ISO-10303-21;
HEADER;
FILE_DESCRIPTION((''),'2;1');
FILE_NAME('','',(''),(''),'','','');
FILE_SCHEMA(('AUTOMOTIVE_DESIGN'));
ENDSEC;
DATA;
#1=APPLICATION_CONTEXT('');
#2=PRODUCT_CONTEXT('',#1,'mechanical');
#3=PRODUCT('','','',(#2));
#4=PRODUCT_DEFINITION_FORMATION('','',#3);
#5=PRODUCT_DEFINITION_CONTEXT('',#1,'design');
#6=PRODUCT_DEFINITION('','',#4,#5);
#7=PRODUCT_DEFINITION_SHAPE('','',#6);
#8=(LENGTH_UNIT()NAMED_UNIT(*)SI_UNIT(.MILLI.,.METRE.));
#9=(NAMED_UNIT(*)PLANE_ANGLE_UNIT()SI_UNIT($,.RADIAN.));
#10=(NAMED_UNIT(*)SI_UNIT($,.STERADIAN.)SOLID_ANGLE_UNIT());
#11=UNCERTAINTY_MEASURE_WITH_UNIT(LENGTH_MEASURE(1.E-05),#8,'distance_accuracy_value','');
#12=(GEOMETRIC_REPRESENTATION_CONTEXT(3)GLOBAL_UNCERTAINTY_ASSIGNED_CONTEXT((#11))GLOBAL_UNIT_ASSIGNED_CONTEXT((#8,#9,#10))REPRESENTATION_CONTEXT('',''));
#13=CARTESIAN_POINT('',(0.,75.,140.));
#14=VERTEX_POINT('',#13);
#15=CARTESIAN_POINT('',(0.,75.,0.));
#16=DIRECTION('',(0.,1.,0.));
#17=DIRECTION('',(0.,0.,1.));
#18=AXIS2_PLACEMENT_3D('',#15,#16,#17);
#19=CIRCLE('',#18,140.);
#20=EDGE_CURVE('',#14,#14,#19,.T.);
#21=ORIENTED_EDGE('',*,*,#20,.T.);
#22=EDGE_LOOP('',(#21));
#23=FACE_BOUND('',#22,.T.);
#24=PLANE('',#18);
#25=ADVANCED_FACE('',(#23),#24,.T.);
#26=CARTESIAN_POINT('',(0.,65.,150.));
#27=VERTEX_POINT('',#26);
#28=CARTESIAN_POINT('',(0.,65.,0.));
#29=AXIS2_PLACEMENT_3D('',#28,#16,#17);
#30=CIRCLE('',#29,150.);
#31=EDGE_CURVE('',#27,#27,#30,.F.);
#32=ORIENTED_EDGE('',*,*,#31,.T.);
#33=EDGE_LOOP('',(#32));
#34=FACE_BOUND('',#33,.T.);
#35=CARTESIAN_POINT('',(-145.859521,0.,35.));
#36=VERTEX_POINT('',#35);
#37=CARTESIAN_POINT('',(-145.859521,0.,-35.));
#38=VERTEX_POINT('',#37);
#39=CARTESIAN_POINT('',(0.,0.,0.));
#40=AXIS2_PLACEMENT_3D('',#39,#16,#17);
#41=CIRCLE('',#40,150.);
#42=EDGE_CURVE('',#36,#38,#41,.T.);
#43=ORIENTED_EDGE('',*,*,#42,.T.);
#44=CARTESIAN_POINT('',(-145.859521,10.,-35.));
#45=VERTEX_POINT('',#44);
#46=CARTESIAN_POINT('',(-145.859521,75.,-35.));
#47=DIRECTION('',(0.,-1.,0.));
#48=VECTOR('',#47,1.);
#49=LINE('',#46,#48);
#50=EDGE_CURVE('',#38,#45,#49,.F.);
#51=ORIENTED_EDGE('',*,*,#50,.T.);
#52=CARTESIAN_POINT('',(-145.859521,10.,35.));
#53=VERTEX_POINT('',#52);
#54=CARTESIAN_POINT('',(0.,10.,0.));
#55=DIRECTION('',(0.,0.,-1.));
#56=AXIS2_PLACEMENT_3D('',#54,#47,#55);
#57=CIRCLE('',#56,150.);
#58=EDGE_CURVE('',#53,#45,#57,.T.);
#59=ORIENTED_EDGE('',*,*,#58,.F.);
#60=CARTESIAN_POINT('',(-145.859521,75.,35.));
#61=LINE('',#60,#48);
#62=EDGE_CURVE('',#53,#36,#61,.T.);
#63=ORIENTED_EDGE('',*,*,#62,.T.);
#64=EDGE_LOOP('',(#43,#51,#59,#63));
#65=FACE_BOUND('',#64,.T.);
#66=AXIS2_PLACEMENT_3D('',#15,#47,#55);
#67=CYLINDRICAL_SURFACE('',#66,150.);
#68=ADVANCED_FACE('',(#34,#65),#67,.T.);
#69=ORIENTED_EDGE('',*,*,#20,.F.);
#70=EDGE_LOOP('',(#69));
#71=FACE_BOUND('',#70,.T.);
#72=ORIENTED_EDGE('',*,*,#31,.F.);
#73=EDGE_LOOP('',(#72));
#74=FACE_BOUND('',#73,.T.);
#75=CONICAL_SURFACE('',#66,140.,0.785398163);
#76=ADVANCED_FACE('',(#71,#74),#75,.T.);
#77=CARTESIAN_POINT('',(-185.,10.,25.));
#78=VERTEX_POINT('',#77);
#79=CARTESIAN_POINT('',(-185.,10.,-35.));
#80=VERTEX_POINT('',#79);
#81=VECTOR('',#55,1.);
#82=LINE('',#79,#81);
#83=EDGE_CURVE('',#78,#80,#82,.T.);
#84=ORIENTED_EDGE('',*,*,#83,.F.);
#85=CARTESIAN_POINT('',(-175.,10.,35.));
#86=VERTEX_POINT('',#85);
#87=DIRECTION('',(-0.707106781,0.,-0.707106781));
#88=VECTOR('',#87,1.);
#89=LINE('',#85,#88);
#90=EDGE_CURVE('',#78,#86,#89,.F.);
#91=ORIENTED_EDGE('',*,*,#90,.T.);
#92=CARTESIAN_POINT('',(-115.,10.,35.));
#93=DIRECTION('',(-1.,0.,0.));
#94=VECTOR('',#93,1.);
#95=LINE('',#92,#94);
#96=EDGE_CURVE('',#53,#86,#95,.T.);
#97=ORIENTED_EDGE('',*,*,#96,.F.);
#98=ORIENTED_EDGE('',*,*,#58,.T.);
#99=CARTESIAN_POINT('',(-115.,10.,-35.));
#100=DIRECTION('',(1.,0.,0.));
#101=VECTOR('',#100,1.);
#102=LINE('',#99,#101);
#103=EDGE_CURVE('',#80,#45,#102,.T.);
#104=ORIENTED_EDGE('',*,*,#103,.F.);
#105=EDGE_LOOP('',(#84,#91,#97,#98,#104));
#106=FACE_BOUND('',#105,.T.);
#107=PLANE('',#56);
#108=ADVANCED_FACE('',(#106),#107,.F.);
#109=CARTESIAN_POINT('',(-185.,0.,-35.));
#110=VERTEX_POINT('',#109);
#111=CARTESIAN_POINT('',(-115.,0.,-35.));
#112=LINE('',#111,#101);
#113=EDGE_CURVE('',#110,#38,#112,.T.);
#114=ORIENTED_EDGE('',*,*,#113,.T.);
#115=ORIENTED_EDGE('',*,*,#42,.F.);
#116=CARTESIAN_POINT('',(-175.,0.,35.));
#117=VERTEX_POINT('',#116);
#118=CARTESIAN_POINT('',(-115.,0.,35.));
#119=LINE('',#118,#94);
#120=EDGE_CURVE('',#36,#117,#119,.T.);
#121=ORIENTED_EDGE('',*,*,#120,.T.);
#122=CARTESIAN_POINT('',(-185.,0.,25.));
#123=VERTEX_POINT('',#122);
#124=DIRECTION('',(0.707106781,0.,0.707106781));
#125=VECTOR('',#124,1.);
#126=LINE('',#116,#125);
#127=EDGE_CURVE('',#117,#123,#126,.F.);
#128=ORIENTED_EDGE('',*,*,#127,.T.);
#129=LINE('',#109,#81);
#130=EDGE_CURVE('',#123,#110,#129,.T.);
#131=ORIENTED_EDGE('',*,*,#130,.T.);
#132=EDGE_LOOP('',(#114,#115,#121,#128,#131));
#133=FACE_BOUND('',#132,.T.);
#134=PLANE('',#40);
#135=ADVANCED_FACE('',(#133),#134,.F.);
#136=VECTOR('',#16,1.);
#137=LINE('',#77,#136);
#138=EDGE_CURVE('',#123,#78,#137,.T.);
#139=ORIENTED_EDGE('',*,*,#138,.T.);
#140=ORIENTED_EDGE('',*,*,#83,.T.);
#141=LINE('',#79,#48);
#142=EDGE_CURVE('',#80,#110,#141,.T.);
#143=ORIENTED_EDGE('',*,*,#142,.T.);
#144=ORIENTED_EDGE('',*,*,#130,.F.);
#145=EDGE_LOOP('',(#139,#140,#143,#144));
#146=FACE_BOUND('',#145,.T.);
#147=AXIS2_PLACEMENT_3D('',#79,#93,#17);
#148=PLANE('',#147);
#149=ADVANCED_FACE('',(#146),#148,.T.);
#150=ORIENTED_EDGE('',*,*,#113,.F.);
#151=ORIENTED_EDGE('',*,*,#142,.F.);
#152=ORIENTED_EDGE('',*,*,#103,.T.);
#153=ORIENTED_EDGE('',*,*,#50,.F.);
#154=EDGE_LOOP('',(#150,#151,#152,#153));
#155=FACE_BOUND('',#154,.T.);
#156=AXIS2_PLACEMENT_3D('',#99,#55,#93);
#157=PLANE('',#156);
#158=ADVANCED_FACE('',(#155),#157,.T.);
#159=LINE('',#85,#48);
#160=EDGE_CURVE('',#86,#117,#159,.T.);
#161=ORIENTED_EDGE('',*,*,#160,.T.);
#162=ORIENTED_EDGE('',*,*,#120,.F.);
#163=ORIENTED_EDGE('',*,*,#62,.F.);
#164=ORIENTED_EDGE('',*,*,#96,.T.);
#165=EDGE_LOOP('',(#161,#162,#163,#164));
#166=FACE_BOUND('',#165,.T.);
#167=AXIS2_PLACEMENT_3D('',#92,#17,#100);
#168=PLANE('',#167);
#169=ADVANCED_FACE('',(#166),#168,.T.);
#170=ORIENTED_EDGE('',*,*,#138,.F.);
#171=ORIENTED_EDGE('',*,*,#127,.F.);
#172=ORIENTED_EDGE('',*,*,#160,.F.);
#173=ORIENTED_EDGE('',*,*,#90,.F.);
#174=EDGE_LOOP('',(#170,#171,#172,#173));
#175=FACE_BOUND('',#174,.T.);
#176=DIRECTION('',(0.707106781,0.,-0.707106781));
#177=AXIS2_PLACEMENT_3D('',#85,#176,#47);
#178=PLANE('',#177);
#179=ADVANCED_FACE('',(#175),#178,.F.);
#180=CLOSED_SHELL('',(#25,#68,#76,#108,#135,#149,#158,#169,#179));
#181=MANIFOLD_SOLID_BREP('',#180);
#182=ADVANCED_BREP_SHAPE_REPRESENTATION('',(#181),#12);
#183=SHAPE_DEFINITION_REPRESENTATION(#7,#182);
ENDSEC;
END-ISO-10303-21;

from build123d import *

# Parameters (mm, degrees)
SKETCH1_R           = 150
BOSS_EXTRUDE1_DEPTH = 75
CHAMFER1_SIZE       = 10
SKETCH2_W           = 70
SKETCH2_H           = 70
BOSS_EXTRUDE2_DEPTH = 10
CHAMFER2_SIZE       = 10


with BuildPart() as part:
    # Sketch1 → Boss-Extrude1 (new body)
    with BuildSketch(Plane(origin=(0, 0, 0), x_dir=(1, 0, 0), z_dir=(0, 1, 0))):
        Circle(SKETCH1_R)
    extrude(amount=BOSS_EXTRUDE1_DEPTH)

    # Chamfer1
    chamfer1_edges = [part.edges().sort_by_distance(p)[0] for p in [
        (-150, 75, 0),
    ]]
    chamfer(chamfer1_edges, length=CHAMFER1_SIZE)

    # Sketch2 → Boss-Extrude2 (add)
    with BuildSketch(Plane.XZ):
        with Locations((-150, 0)):
            Rectangle(SKETCH2_W, SKETCH2_H)
    extrude(amount=-BOSS_EXTRUDE2_DEPTH)

    # Chamfer2
    chamfer2_edges = [part.edges().sort_by_distance(p)[0] for p in [
        (-185, 5, 35),
    ]]
    chamfer(chamfer2_edges, length=CHAMFER2_SIZE)


solid = part.part
